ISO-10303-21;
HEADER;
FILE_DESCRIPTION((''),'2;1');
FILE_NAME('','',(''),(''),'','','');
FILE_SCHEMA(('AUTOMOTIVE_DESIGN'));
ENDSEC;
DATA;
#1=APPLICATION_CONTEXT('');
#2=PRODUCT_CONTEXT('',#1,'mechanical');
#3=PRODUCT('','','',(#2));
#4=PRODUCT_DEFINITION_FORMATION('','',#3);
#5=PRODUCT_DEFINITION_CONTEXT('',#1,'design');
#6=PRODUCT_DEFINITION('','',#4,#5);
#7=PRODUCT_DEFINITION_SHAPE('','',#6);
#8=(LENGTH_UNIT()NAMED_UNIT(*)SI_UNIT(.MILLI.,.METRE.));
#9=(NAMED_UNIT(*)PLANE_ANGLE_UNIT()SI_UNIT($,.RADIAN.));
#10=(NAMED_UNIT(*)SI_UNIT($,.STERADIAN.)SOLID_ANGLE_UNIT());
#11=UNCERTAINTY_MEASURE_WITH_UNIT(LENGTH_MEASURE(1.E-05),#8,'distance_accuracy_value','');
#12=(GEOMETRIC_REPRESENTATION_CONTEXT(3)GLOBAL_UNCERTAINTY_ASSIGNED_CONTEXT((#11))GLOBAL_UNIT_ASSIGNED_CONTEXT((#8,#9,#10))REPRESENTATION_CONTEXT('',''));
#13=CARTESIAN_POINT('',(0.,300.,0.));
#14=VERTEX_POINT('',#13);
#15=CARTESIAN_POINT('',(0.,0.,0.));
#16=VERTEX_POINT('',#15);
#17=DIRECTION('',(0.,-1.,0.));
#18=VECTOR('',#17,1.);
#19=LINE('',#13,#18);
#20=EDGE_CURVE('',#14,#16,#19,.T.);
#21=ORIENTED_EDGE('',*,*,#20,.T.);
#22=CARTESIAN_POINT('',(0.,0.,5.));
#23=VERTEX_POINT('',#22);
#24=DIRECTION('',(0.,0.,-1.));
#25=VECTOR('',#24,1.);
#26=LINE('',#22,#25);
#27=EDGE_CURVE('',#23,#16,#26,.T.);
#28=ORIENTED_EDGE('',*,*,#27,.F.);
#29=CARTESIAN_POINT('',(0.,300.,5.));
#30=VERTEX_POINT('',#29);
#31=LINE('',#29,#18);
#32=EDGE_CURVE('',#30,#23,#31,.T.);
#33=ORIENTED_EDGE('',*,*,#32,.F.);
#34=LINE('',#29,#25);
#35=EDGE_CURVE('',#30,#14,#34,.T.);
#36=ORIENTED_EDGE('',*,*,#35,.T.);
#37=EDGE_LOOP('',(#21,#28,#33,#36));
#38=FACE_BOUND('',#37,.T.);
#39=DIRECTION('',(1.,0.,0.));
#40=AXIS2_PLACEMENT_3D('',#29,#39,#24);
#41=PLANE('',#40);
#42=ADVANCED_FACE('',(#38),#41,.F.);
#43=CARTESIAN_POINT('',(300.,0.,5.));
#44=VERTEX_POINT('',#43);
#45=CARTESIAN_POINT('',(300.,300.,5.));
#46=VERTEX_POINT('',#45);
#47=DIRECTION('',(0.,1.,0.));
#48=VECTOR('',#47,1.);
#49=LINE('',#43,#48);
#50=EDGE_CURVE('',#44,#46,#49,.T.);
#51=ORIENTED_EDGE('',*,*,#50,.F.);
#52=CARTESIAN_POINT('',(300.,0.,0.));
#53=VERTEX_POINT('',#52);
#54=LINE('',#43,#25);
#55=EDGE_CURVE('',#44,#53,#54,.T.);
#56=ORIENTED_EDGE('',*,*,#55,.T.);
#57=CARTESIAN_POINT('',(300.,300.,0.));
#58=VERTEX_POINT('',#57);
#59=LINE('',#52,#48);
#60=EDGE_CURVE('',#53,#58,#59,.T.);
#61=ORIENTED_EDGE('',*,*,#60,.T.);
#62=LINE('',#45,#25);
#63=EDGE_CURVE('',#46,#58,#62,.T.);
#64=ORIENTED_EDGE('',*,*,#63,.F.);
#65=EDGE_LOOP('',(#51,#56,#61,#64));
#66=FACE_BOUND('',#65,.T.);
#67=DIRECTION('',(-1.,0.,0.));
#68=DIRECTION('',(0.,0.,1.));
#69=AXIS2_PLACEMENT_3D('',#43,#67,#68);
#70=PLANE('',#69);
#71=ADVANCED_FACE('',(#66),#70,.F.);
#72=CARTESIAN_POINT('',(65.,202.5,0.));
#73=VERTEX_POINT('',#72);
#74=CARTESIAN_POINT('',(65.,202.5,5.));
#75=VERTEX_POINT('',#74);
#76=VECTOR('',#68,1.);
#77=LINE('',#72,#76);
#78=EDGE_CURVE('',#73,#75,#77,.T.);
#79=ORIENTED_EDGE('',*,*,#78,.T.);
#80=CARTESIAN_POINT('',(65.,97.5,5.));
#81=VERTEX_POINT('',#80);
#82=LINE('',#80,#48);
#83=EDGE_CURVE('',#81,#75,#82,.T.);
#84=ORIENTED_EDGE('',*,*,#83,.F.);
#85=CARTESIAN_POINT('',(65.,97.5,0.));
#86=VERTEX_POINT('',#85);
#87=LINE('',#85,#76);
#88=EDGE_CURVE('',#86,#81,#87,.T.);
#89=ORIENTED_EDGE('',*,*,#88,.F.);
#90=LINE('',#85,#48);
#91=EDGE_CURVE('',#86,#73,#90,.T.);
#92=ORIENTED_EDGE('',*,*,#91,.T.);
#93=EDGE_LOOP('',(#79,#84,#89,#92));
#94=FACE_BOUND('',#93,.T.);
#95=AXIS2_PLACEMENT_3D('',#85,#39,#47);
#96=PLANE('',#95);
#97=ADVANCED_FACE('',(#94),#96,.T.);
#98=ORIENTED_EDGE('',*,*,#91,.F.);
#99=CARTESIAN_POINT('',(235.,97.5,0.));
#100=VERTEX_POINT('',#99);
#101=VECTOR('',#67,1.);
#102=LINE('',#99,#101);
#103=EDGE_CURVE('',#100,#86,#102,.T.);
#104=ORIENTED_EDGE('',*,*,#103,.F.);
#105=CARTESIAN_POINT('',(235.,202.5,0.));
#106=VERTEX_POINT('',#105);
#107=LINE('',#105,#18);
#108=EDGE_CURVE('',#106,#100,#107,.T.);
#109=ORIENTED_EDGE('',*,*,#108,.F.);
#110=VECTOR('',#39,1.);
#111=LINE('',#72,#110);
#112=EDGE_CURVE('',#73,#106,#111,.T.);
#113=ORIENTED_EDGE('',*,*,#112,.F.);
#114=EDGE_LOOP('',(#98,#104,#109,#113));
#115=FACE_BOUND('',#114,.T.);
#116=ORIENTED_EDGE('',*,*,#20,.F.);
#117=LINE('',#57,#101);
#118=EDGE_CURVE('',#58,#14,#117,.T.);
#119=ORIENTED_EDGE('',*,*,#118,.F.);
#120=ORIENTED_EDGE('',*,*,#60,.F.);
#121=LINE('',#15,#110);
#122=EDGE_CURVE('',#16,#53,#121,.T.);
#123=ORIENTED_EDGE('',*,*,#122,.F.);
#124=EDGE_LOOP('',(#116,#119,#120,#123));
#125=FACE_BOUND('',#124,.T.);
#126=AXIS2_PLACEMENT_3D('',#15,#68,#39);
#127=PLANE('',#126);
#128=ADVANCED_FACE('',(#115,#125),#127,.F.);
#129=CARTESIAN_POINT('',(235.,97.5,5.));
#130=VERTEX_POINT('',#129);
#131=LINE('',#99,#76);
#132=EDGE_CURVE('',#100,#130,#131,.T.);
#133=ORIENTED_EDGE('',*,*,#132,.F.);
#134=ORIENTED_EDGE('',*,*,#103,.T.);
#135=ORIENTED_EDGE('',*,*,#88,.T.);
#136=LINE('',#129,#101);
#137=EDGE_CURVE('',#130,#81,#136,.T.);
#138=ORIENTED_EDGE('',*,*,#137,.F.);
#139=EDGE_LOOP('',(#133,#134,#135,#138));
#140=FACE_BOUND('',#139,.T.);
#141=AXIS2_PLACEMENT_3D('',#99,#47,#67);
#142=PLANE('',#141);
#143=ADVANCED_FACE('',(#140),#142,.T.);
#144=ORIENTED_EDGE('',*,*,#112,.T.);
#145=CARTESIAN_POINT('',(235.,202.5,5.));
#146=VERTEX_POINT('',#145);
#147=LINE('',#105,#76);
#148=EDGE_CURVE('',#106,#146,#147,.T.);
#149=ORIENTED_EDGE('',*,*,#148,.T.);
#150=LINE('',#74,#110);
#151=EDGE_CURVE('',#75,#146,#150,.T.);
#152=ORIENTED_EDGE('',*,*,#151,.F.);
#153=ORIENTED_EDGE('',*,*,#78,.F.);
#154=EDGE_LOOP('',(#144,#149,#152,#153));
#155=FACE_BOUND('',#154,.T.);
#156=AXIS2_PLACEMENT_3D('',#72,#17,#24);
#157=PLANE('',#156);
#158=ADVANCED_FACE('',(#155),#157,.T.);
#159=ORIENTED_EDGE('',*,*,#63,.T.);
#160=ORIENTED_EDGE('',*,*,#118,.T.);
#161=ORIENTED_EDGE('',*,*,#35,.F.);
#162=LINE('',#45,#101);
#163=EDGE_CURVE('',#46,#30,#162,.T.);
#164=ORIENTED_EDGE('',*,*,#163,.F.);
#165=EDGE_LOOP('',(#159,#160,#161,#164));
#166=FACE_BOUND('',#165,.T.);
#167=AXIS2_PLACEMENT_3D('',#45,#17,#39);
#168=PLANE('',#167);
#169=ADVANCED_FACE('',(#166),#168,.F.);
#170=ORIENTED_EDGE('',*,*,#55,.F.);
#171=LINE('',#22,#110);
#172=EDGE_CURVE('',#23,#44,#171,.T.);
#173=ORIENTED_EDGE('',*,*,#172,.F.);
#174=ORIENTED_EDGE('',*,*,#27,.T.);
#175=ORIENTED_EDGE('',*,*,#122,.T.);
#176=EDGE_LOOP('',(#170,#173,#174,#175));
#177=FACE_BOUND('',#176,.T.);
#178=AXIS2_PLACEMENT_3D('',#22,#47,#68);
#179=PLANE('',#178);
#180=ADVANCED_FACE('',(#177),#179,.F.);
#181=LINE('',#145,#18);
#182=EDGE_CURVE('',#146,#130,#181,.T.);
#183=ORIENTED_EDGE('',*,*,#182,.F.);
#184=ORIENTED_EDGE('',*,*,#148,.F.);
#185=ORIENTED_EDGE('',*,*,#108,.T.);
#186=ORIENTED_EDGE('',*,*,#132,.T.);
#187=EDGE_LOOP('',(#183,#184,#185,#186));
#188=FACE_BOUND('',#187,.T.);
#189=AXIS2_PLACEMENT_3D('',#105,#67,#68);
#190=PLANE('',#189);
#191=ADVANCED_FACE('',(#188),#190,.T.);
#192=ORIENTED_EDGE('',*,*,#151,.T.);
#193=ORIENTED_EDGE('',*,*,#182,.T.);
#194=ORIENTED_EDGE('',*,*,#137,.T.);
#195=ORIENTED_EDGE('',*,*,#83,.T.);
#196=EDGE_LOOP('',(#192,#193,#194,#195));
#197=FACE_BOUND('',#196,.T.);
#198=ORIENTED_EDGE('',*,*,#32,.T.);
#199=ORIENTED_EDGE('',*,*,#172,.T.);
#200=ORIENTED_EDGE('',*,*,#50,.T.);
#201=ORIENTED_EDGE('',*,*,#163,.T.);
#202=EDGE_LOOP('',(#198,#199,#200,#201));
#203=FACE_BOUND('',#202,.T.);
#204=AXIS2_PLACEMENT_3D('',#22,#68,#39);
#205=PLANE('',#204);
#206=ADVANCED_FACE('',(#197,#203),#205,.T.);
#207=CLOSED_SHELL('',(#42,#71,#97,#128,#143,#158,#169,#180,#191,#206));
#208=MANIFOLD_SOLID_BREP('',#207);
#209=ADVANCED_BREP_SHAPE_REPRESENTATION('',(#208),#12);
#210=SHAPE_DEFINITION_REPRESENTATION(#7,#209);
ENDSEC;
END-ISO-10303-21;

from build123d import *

# Parameters (mm, degrees)
ESQUISSE1_W             = 300
ESQUISSE1_H             = 300
BOSS_EXTRU_2_DEPTH      = 5
ESQUISSE2_W             = 170
ESQUISSE2_H             = 105
ENL_V_MAT_EXTRU_1_DEPTH = 5


with BuildPart() as part:
    # Esquisse1 → Boss.-Extru.2 (new body)
    with BuildSketch(Plane.XY):
        with Locations((150, 150)):
            Rectangle(ESQUISSE1_W, ESQUISSE1_H)
    extrude(amount=BOSS_EXTRU_2_DEPTH)

    # Esquisse2 → Enlèv. mat.-Extru.1 (cut)
    with BuildSketch(Plane.XY.offset(5)):
        with Locations((150, 150)):
            Rectangle(ESQUISSE2_W, ESQUISSE2_H)
    extrude(amount=-ENL_V_MAT_EXTRU_1_DEPTH, mode=Mode.SUBTRACT)


solid = part.part
